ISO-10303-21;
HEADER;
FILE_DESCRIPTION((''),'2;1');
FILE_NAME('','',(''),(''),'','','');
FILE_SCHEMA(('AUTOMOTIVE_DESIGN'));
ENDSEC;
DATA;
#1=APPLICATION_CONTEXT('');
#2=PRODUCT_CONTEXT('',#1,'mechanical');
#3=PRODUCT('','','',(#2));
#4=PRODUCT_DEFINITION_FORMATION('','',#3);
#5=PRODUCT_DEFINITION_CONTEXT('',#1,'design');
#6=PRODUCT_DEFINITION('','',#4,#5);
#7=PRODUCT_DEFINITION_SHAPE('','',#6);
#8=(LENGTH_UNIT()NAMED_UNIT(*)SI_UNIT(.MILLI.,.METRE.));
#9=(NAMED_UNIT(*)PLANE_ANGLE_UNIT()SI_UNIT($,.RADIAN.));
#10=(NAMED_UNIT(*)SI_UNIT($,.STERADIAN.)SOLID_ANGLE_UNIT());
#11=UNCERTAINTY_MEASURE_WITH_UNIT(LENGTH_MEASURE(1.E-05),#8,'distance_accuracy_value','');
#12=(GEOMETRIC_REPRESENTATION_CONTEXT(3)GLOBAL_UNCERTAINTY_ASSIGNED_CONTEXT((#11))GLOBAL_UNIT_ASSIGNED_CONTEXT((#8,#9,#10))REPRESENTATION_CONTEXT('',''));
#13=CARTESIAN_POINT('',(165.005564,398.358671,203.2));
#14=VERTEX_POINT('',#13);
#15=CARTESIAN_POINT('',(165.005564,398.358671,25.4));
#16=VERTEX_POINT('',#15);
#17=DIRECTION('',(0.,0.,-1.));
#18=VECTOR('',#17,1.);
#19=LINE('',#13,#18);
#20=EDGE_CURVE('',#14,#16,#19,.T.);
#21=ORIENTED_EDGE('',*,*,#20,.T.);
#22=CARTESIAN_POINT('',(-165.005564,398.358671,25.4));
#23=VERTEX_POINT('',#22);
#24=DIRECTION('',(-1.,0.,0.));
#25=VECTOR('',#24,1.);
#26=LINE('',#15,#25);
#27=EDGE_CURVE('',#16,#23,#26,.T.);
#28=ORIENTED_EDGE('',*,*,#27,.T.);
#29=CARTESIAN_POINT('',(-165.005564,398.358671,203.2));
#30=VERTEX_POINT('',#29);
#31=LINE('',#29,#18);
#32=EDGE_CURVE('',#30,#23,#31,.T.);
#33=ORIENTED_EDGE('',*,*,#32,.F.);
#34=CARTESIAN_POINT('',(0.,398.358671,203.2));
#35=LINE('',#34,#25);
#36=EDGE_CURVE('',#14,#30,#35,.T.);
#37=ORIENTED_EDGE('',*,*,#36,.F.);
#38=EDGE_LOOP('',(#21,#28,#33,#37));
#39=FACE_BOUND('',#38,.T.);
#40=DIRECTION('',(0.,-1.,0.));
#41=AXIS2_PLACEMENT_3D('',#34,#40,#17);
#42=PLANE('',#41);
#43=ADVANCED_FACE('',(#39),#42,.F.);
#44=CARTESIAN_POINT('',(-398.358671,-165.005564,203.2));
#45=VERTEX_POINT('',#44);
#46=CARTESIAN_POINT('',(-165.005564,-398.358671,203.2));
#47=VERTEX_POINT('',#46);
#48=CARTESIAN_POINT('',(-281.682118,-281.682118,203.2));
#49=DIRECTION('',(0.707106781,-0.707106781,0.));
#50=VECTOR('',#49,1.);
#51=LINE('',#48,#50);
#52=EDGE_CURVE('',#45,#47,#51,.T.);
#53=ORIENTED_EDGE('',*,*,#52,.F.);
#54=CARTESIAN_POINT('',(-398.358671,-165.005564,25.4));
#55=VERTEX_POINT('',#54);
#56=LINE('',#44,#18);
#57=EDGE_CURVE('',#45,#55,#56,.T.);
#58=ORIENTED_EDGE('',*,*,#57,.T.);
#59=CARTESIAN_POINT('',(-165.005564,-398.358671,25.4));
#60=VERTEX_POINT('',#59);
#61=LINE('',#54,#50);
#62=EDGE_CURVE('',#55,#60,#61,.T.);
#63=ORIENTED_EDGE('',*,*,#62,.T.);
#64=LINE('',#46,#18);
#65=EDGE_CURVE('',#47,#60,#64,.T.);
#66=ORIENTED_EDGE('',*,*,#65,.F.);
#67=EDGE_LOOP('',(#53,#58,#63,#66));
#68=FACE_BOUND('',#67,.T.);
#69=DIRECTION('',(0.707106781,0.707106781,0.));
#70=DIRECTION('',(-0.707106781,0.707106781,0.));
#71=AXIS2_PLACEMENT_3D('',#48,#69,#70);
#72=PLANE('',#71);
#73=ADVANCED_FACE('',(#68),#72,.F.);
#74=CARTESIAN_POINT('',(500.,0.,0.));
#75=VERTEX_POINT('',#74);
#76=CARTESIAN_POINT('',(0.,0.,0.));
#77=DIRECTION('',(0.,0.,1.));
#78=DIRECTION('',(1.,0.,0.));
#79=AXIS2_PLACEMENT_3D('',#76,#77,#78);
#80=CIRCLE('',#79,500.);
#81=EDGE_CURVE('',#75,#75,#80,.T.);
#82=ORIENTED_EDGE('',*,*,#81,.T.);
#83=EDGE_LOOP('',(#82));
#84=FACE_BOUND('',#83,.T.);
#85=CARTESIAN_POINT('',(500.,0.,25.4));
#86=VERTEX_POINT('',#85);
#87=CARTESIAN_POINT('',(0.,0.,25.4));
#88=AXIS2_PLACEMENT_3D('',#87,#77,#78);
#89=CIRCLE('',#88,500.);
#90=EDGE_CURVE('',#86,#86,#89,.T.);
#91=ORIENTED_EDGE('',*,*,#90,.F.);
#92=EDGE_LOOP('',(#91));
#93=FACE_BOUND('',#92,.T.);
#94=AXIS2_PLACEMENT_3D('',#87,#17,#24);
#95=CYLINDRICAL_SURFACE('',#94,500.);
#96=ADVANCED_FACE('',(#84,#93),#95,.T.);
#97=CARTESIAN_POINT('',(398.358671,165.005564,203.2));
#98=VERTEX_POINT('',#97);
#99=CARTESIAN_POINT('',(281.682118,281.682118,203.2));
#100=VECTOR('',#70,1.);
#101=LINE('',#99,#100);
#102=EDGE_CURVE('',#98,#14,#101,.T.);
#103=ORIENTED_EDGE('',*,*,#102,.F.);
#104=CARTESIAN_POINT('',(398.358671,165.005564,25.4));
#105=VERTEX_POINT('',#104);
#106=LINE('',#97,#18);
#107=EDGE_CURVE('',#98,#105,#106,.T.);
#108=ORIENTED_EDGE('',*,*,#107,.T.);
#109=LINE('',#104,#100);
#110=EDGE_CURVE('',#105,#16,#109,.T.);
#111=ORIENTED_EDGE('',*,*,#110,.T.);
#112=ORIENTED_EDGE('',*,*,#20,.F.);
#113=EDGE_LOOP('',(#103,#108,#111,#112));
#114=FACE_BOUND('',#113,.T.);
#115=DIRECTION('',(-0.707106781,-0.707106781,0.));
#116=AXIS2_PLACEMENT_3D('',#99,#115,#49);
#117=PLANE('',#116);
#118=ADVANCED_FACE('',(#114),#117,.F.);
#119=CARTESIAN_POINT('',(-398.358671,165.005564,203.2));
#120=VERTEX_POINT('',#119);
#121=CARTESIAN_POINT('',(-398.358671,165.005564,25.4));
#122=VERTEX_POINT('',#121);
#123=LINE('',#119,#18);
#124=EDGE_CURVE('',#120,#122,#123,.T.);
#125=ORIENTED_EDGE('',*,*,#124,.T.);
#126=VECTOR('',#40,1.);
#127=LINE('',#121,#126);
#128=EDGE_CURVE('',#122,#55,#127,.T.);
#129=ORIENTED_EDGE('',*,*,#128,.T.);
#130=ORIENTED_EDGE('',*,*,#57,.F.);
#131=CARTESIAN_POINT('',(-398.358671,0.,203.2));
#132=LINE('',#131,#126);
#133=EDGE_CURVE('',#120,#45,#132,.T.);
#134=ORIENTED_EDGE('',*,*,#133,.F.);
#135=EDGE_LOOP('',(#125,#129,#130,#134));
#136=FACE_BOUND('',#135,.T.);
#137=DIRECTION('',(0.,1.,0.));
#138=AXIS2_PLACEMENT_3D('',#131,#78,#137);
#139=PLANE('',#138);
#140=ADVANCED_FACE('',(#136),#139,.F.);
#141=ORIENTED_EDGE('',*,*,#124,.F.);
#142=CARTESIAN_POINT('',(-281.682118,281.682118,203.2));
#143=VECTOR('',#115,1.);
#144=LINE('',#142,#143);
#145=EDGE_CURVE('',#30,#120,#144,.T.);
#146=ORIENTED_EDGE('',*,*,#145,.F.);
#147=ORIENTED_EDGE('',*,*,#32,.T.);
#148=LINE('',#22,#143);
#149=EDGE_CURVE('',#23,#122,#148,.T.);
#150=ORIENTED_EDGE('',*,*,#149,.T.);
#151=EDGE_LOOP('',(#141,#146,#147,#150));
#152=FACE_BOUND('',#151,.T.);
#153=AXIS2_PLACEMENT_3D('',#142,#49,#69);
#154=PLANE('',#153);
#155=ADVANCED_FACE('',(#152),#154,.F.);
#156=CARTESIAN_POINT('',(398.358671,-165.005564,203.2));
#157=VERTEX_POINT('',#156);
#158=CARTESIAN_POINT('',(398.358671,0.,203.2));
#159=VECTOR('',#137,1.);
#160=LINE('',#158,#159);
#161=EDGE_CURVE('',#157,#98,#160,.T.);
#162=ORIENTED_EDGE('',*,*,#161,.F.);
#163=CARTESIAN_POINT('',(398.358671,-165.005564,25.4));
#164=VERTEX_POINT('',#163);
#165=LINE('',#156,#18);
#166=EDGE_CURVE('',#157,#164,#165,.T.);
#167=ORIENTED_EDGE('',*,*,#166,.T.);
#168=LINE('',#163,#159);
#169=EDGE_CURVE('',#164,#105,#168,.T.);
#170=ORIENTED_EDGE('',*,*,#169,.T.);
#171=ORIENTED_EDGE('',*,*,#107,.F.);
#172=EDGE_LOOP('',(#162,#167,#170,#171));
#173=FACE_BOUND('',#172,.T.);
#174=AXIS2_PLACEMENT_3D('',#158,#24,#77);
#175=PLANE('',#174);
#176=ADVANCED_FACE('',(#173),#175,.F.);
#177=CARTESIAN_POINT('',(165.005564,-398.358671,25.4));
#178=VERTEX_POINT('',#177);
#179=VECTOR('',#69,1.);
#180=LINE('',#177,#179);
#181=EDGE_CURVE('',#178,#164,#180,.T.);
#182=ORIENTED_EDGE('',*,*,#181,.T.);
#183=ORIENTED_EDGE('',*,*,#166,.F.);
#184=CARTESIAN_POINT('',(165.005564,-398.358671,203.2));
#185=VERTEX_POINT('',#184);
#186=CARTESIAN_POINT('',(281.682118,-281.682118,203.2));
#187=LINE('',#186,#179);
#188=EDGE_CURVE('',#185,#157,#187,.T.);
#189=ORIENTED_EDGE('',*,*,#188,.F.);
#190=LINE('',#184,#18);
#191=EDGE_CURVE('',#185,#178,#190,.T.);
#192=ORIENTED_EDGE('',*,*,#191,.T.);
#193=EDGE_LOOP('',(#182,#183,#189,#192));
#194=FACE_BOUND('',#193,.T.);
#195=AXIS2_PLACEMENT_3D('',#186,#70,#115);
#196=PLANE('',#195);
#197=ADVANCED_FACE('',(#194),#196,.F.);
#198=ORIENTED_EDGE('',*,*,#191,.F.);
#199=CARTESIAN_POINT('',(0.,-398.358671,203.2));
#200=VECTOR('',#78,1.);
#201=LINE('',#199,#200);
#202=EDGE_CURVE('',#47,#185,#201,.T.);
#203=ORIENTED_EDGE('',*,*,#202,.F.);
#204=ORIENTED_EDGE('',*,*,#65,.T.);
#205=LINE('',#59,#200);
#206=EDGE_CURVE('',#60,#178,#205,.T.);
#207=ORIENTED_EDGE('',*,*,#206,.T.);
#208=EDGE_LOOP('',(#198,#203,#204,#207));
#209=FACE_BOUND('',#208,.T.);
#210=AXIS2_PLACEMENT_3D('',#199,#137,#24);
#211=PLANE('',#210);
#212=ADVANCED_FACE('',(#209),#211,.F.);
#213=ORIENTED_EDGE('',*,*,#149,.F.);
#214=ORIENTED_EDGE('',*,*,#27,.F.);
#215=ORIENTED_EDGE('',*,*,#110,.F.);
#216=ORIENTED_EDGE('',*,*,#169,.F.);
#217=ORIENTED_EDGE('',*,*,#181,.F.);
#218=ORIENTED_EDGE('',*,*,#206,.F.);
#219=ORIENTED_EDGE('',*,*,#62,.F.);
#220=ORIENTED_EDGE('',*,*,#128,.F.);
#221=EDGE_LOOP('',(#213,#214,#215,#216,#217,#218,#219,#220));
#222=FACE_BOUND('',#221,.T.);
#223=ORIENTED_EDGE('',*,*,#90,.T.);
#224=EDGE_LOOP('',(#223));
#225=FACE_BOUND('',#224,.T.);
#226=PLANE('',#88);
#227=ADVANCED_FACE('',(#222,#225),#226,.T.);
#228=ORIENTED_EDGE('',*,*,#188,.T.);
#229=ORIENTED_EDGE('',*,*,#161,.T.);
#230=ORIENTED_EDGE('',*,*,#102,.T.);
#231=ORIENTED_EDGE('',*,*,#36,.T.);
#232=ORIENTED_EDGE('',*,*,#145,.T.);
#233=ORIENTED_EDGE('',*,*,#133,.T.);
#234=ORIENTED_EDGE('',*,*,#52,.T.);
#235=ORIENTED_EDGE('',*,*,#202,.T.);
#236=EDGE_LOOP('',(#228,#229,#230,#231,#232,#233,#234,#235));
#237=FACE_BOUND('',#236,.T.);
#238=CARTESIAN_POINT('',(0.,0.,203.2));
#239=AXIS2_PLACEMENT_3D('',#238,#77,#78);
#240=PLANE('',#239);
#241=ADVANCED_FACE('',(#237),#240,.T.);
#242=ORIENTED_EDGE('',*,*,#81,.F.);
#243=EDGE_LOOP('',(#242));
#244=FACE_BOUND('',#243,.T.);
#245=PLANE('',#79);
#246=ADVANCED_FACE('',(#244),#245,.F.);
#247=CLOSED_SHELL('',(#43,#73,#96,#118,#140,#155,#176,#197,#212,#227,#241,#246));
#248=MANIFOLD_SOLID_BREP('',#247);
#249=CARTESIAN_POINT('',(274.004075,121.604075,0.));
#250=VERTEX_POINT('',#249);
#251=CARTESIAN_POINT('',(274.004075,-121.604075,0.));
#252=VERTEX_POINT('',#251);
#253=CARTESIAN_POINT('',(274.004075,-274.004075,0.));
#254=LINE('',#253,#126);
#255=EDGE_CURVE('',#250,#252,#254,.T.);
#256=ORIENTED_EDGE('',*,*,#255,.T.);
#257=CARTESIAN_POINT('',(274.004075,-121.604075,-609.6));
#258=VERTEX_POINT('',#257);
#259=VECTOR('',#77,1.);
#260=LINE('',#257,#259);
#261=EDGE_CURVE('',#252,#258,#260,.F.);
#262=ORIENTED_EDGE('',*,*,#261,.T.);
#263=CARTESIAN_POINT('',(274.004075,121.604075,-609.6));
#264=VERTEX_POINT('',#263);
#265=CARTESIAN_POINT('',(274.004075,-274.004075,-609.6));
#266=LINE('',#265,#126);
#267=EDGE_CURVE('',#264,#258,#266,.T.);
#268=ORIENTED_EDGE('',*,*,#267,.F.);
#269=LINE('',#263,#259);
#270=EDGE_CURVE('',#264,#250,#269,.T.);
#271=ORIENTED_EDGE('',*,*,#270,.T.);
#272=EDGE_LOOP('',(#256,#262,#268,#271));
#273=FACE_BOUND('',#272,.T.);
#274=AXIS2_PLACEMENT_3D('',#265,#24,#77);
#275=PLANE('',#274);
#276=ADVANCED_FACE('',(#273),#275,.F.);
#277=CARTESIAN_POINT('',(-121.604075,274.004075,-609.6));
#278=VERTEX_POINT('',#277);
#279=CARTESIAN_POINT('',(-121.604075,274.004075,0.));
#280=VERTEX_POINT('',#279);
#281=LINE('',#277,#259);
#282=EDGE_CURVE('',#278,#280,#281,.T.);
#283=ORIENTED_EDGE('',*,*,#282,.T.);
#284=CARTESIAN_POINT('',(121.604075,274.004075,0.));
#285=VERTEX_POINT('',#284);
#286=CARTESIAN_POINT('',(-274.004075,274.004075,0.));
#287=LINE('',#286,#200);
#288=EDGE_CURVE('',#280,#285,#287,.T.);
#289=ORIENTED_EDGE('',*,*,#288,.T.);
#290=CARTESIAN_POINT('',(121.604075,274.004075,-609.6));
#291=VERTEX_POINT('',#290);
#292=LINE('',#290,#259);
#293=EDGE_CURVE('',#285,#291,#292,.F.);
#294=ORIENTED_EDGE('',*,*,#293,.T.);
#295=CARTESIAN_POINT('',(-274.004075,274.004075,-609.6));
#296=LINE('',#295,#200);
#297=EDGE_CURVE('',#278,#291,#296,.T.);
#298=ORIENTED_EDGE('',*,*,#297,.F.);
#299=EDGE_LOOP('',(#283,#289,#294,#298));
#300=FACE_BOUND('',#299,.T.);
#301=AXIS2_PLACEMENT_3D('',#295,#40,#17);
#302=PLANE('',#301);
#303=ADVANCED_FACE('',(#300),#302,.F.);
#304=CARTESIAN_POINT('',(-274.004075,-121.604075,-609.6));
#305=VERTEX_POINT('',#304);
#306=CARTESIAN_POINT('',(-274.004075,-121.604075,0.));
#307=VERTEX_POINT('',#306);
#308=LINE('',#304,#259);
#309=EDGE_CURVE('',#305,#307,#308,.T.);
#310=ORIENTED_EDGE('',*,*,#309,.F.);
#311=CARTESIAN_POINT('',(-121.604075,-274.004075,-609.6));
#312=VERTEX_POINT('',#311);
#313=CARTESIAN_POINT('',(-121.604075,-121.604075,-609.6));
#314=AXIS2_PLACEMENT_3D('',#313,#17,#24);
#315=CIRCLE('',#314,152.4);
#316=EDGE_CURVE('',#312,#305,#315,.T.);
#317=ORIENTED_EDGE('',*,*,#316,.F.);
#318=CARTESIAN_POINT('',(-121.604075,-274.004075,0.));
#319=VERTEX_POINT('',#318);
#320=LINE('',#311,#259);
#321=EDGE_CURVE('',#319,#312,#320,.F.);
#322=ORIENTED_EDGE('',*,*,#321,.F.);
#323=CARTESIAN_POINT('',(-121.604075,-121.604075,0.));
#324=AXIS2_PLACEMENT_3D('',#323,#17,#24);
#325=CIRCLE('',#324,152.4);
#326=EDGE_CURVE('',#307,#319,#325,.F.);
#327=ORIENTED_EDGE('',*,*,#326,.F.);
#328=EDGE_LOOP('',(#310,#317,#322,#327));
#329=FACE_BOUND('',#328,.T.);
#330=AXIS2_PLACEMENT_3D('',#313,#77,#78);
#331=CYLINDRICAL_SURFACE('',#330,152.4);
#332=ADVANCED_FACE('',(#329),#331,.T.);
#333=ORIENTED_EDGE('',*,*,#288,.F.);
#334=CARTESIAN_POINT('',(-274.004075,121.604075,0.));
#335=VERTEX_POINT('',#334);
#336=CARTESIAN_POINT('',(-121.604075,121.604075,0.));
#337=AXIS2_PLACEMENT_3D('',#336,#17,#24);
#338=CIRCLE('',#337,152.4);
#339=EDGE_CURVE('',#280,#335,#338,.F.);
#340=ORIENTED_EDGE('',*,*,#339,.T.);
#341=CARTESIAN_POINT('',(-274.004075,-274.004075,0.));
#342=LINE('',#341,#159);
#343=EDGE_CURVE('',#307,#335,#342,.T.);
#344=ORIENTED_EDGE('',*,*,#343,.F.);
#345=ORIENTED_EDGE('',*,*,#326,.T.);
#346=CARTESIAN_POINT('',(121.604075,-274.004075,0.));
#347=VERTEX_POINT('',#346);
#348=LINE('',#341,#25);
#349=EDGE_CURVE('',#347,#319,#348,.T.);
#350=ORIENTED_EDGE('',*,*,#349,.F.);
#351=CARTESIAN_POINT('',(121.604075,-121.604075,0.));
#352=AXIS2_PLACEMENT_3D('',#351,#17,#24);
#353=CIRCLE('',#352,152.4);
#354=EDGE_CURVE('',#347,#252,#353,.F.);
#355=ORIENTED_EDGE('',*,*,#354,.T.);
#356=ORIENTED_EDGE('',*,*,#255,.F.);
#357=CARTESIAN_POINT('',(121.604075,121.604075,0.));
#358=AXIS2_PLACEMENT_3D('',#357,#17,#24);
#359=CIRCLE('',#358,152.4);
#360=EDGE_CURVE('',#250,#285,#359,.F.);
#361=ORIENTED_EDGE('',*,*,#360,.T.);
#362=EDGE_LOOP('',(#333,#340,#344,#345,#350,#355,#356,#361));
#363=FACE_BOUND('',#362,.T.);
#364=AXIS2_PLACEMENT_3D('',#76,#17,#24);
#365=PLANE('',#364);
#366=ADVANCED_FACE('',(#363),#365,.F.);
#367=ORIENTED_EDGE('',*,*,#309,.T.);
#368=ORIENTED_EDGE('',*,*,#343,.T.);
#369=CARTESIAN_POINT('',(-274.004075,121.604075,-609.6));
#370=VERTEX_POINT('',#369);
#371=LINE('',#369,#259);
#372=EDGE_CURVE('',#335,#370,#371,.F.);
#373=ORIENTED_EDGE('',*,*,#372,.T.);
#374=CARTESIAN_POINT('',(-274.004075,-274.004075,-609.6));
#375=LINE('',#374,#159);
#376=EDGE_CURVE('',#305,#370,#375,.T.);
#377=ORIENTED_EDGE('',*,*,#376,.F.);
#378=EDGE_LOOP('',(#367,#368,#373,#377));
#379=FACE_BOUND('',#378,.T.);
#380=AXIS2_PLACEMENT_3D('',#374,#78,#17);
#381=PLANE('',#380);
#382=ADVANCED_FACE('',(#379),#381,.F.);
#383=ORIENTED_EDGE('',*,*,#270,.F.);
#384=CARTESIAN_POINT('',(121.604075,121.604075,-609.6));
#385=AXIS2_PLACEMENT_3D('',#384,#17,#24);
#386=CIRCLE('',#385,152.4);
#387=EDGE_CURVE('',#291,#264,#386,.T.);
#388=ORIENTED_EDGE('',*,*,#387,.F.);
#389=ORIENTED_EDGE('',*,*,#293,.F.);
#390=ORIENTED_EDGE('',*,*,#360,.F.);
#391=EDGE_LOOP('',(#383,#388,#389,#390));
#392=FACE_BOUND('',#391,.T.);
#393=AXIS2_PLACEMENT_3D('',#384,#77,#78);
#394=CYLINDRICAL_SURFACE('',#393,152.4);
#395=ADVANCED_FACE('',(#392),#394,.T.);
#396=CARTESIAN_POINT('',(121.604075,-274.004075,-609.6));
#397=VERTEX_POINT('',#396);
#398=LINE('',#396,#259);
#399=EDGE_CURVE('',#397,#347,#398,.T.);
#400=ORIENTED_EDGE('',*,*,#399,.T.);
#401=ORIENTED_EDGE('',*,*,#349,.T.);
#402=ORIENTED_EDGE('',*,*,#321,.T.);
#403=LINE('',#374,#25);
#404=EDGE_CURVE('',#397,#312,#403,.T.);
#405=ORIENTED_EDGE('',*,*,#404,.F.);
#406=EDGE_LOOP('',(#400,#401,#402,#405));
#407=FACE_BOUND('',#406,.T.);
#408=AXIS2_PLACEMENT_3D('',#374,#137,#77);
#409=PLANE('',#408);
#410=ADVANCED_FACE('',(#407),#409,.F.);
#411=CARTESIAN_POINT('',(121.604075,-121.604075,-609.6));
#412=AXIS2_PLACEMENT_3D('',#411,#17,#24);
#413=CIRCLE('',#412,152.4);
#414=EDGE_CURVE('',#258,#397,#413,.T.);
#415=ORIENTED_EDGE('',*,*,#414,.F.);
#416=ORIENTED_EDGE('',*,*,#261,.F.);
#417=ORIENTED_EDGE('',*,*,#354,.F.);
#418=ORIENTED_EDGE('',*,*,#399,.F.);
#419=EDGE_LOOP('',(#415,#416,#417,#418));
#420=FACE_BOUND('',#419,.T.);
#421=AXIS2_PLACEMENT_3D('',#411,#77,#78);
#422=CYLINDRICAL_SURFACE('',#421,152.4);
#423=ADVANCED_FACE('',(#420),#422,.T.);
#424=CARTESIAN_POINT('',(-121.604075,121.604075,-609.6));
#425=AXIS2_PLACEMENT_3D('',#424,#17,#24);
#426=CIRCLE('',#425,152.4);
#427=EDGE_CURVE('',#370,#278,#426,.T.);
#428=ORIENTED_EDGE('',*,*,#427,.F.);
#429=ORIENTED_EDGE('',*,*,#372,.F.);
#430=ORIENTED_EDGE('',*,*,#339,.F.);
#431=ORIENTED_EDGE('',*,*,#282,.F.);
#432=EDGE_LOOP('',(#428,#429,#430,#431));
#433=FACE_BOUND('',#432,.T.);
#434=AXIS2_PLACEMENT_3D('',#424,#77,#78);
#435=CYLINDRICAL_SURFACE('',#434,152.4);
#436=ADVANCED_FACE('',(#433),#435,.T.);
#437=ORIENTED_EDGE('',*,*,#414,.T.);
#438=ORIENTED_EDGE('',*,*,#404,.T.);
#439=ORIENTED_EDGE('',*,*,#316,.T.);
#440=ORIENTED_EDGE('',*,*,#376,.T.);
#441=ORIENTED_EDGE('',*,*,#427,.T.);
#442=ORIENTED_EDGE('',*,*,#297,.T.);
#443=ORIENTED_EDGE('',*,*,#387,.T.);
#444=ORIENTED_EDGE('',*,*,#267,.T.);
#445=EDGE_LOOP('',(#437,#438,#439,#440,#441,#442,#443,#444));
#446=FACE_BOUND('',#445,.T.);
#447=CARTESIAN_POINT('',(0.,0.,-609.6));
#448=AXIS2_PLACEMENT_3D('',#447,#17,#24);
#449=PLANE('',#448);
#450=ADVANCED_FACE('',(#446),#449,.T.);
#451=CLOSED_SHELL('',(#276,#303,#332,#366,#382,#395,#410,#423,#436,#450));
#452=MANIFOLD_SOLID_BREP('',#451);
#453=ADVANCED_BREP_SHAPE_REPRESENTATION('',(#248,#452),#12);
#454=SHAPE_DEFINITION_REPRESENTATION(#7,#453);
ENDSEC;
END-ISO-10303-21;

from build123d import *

# Parameters (mm, degrees)
BOSS_EXTRUDE1_DEPTH = 203.2
SKETCH1_3_R         = 500
BOSS_EXTRUDE2_DEPTH = 25.4
SKETCH2_W           = 548.008149558
SKETCH2_H           = 548.008149558
BOSS_EXTRUDE3_DEPTH = 609.6
FILLET1_R           = 152.4


with BuildPart() as part:
    # Sketch1 → Boss-Extrude1 (new body)
    with BuildSketch(Plane.XY):
        Polygon((398.358671467, -165.005564411), (398.358671467, 165.005564411), (165.005564411, 398.358671467), (-165.005564411, 398.358671467), (-398.358671467, 165.005564411), (-398.358671467, -165.005564411), (-165.005564411, -398.358671467), (165.005564411, -398.358671467), align=None)
    extrude(amount=BOSS_EXTRUDE1_DEPTH)

    # Sketch1<3> → Boss-Extrude2 (add)
    with BuildSketch(Plane.XY):
        Circle(SKETCH1_3_R)
        Polygon((165.005564411, 398.358671467), (-165.005564411, 398.358671467), (-398.358671467, 165.005564411), (-398.358671467, -165.005564411), (-165.005564411, -398.358671467), (165.005564411, -398.358671467), (398.358671467, -165.005564411), (398.358671467, 165.005564411), align=None, mode=Mode.SUBTRACT)
    extrude(amount=BOSS_EXTRUDE2_DEPTH)


with BuildPart() as body_2:
    # Sketch2 → Boss-Extrude3 (new body)
    with BuildSketch(Plane(origin=(0, 0, 0), x_dir=(-1, 0, 0), z_dir=(0, 0, -1))):
        Rectangle(SKETCH2_W, SKETCH2_H)
    extrude(amount=BOSS_EXTRUDE3_DEPTH)

    # Fillet1
    fillet1_edges = [body_2.edges().sort_by_distance(p)[0] for p in [
        (274.004074779, 274.004074779, -304.8),
        (-274.004074779, 274.004074779, -304.8),
        (-274.004074779, -274.004074779, -304.8),
        (274.004074779, -274.004074779, -304.8),
    ]]
    fillet(fillet1_edges, radius=FILLET1_R)


solid = Compound([part.part, body_2.part])
